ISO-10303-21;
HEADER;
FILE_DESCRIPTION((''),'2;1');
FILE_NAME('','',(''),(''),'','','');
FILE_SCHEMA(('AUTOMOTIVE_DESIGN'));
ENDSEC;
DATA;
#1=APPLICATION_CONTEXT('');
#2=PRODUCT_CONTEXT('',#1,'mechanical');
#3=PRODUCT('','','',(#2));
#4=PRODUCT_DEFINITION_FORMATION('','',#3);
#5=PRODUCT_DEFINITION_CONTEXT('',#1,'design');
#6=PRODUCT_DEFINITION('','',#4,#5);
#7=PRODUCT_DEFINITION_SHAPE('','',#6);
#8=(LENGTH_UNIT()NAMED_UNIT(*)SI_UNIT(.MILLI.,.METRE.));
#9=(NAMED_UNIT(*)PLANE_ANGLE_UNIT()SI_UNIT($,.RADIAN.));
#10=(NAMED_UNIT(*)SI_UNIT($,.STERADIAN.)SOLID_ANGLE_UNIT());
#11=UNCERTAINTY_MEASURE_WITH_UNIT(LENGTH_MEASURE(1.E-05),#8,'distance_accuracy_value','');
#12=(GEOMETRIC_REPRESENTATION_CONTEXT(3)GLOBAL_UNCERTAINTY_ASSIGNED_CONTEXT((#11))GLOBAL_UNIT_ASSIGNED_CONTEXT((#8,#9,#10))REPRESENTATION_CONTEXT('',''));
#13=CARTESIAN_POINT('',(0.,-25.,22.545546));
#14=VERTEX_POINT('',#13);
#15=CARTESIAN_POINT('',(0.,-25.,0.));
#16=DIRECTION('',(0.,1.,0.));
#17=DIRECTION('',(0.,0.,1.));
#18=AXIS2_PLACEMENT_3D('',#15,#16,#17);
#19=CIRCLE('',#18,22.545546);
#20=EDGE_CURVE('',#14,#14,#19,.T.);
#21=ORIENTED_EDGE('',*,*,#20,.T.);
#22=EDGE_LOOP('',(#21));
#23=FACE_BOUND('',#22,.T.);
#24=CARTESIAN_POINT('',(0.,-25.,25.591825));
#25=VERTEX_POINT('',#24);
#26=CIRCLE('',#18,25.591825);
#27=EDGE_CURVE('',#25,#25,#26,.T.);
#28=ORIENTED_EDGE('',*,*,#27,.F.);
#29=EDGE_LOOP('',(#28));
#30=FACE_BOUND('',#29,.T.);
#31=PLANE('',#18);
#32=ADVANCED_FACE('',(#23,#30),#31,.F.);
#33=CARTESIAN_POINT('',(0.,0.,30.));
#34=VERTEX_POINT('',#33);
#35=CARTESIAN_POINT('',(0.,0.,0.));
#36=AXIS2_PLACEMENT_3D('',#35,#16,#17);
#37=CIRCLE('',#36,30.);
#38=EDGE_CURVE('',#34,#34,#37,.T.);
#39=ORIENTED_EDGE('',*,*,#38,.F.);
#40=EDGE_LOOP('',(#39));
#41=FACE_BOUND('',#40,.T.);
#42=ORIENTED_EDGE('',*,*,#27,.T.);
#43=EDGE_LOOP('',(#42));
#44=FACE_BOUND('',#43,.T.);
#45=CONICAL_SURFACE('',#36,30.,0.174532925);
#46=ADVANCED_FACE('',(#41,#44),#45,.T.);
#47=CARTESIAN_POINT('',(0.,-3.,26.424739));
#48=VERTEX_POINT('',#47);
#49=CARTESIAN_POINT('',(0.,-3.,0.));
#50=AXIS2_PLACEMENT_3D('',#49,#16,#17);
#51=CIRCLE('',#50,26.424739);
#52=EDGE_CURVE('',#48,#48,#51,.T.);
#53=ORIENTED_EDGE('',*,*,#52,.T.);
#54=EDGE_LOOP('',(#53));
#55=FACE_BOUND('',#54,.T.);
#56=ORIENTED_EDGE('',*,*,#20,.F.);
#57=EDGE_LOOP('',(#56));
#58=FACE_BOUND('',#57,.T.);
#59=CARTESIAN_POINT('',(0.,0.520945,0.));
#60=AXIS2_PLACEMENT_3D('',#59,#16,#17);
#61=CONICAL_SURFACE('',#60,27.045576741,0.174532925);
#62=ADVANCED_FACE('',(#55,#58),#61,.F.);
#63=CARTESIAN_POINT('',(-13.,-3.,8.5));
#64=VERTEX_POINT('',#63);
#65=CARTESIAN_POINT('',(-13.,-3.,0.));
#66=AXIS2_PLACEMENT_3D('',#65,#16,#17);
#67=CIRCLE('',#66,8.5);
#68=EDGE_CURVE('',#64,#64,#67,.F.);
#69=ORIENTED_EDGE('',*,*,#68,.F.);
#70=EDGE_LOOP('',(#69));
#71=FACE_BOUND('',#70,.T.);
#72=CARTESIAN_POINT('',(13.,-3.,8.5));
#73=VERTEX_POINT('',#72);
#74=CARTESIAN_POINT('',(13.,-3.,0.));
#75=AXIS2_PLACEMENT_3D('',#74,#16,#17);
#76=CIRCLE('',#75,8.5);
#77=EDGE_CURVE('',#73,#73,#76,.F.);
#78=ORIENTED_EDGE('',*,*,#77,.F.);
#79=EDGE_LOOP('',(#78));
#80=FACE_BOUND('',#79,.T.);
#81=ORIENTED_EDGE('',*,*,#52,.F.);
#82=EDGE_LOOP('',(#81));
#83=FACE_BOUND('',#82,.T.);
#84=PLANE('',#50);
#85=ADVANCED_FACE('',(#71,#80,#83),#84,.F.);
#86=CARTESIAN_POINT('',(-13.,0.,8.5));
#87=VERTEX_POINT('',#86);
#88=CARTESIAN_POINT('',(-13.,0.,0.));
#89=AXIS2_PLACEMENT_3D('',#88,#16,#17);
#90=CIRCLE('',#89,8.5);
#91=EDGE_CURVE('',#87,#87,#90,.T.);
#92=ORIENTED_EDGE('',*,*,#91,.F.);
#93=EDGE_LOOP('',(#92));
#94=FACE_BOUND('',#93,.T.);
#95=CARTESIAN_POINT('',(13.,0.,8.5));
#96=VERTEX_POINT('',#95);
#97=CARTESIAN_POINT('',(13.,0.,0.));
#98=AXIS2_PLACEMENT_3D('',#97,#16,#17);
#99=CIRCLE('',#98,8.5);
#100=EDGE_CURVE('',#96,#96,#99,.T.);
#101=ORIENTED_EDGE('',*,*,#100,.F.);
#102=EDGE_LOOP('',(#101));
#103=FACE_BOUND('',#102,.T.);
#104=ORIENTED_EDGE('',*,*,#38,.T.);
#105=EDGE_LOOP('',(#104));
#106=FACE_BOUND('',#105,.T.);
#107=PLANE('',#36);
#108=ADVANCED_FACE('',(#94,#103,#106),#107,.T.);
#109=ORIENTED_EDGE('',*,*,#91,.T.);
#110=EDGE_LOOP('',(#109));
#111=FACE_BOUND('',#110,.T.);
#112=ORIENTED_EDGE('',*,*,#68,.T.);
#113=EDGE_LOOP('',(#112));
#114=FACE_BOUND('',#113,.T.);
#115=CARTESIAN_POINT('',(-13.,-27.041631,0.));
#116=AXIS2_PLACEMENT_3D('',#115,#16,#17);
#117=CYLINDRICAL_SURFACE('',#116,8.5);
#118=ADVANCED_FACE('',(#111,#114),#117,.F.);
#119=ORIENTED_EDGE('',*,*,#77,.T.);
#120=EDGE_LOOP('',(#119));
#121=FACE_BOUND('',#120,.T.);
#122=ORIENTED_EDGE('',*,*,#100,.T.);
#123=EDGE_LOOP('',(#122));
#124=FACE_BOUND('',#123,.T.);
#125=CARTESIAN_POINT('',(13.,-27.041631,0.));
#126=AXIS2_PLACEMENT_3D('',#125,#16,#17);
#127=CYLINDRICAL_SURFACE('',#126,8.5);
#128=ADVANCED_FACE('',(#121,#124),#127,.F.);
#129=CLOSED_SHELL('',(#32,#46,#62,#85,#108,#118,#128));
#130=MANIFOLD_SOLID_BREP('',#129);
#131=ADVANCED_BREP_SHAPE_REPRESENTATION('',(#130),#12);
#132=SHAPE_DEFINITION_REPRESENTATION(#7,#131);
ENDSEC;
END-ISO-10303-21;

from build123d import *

# Parameters (mm, degrees)
SKETCH1_R           = 30
BOSS_EXTRUDE1_DEPTH = 25
DRAFT1_ANGLE        = -10
SHELL2_T            = -3
SKETCH1_4_R         = 8.5
CUT_EXTRUDE2_DEPTH  = 3


with BuildPart() as part:
    # Sketch1 → Boss-Extrude1 (new body)
    with BuildSketch(Plane(origin=(0, 0, 0), x_dir=(1, 0, 0), z_dir=(0, 1, 0))):
        with Locations(Location((0, 0, 0), (0, 0, 270))):
            Circle(SKETCH1_R)
    extrude(amount=-BOSS_EXTRUDE1_DEPTH)

    # Draft1
    draft1_faces = [part.faces().sort_by_distance(p)[0] for p in [
        (0, -12.5, -30),
    ]]
    draft(draft1_faces, Plane.ZX, DRAFT1_ANGLE)

    # Shell2
    shell2_openings = [part.faces().sort_by_distance(p)[0] for p in [
        (0, -25, 0),
    ]]
    offset(amount=SHELL2_T, openings=shell2_openings, kind=Kind.INTERSECTION)

    # Sketch1<4> → Cut-Extrude2 (cut)
    with BuildSketch(Plane(origin=(0, 0, 0), x_dir=(1, 0, 0), z_dir=(0, 1, 0))):
        with Locations(Location((-13, 0, 0), (0, 0, 270))):
            Circle(SKETCH1_4_R)
        with Locations(Location((13, 0, 0), (0, 0, 270))):
            Circle(SKETCH1_4_R)
    extrude(amount=-CUT_EXTRUDE2_DEPTH, mode=Mode.SUBTRACT)


solid = part.part
